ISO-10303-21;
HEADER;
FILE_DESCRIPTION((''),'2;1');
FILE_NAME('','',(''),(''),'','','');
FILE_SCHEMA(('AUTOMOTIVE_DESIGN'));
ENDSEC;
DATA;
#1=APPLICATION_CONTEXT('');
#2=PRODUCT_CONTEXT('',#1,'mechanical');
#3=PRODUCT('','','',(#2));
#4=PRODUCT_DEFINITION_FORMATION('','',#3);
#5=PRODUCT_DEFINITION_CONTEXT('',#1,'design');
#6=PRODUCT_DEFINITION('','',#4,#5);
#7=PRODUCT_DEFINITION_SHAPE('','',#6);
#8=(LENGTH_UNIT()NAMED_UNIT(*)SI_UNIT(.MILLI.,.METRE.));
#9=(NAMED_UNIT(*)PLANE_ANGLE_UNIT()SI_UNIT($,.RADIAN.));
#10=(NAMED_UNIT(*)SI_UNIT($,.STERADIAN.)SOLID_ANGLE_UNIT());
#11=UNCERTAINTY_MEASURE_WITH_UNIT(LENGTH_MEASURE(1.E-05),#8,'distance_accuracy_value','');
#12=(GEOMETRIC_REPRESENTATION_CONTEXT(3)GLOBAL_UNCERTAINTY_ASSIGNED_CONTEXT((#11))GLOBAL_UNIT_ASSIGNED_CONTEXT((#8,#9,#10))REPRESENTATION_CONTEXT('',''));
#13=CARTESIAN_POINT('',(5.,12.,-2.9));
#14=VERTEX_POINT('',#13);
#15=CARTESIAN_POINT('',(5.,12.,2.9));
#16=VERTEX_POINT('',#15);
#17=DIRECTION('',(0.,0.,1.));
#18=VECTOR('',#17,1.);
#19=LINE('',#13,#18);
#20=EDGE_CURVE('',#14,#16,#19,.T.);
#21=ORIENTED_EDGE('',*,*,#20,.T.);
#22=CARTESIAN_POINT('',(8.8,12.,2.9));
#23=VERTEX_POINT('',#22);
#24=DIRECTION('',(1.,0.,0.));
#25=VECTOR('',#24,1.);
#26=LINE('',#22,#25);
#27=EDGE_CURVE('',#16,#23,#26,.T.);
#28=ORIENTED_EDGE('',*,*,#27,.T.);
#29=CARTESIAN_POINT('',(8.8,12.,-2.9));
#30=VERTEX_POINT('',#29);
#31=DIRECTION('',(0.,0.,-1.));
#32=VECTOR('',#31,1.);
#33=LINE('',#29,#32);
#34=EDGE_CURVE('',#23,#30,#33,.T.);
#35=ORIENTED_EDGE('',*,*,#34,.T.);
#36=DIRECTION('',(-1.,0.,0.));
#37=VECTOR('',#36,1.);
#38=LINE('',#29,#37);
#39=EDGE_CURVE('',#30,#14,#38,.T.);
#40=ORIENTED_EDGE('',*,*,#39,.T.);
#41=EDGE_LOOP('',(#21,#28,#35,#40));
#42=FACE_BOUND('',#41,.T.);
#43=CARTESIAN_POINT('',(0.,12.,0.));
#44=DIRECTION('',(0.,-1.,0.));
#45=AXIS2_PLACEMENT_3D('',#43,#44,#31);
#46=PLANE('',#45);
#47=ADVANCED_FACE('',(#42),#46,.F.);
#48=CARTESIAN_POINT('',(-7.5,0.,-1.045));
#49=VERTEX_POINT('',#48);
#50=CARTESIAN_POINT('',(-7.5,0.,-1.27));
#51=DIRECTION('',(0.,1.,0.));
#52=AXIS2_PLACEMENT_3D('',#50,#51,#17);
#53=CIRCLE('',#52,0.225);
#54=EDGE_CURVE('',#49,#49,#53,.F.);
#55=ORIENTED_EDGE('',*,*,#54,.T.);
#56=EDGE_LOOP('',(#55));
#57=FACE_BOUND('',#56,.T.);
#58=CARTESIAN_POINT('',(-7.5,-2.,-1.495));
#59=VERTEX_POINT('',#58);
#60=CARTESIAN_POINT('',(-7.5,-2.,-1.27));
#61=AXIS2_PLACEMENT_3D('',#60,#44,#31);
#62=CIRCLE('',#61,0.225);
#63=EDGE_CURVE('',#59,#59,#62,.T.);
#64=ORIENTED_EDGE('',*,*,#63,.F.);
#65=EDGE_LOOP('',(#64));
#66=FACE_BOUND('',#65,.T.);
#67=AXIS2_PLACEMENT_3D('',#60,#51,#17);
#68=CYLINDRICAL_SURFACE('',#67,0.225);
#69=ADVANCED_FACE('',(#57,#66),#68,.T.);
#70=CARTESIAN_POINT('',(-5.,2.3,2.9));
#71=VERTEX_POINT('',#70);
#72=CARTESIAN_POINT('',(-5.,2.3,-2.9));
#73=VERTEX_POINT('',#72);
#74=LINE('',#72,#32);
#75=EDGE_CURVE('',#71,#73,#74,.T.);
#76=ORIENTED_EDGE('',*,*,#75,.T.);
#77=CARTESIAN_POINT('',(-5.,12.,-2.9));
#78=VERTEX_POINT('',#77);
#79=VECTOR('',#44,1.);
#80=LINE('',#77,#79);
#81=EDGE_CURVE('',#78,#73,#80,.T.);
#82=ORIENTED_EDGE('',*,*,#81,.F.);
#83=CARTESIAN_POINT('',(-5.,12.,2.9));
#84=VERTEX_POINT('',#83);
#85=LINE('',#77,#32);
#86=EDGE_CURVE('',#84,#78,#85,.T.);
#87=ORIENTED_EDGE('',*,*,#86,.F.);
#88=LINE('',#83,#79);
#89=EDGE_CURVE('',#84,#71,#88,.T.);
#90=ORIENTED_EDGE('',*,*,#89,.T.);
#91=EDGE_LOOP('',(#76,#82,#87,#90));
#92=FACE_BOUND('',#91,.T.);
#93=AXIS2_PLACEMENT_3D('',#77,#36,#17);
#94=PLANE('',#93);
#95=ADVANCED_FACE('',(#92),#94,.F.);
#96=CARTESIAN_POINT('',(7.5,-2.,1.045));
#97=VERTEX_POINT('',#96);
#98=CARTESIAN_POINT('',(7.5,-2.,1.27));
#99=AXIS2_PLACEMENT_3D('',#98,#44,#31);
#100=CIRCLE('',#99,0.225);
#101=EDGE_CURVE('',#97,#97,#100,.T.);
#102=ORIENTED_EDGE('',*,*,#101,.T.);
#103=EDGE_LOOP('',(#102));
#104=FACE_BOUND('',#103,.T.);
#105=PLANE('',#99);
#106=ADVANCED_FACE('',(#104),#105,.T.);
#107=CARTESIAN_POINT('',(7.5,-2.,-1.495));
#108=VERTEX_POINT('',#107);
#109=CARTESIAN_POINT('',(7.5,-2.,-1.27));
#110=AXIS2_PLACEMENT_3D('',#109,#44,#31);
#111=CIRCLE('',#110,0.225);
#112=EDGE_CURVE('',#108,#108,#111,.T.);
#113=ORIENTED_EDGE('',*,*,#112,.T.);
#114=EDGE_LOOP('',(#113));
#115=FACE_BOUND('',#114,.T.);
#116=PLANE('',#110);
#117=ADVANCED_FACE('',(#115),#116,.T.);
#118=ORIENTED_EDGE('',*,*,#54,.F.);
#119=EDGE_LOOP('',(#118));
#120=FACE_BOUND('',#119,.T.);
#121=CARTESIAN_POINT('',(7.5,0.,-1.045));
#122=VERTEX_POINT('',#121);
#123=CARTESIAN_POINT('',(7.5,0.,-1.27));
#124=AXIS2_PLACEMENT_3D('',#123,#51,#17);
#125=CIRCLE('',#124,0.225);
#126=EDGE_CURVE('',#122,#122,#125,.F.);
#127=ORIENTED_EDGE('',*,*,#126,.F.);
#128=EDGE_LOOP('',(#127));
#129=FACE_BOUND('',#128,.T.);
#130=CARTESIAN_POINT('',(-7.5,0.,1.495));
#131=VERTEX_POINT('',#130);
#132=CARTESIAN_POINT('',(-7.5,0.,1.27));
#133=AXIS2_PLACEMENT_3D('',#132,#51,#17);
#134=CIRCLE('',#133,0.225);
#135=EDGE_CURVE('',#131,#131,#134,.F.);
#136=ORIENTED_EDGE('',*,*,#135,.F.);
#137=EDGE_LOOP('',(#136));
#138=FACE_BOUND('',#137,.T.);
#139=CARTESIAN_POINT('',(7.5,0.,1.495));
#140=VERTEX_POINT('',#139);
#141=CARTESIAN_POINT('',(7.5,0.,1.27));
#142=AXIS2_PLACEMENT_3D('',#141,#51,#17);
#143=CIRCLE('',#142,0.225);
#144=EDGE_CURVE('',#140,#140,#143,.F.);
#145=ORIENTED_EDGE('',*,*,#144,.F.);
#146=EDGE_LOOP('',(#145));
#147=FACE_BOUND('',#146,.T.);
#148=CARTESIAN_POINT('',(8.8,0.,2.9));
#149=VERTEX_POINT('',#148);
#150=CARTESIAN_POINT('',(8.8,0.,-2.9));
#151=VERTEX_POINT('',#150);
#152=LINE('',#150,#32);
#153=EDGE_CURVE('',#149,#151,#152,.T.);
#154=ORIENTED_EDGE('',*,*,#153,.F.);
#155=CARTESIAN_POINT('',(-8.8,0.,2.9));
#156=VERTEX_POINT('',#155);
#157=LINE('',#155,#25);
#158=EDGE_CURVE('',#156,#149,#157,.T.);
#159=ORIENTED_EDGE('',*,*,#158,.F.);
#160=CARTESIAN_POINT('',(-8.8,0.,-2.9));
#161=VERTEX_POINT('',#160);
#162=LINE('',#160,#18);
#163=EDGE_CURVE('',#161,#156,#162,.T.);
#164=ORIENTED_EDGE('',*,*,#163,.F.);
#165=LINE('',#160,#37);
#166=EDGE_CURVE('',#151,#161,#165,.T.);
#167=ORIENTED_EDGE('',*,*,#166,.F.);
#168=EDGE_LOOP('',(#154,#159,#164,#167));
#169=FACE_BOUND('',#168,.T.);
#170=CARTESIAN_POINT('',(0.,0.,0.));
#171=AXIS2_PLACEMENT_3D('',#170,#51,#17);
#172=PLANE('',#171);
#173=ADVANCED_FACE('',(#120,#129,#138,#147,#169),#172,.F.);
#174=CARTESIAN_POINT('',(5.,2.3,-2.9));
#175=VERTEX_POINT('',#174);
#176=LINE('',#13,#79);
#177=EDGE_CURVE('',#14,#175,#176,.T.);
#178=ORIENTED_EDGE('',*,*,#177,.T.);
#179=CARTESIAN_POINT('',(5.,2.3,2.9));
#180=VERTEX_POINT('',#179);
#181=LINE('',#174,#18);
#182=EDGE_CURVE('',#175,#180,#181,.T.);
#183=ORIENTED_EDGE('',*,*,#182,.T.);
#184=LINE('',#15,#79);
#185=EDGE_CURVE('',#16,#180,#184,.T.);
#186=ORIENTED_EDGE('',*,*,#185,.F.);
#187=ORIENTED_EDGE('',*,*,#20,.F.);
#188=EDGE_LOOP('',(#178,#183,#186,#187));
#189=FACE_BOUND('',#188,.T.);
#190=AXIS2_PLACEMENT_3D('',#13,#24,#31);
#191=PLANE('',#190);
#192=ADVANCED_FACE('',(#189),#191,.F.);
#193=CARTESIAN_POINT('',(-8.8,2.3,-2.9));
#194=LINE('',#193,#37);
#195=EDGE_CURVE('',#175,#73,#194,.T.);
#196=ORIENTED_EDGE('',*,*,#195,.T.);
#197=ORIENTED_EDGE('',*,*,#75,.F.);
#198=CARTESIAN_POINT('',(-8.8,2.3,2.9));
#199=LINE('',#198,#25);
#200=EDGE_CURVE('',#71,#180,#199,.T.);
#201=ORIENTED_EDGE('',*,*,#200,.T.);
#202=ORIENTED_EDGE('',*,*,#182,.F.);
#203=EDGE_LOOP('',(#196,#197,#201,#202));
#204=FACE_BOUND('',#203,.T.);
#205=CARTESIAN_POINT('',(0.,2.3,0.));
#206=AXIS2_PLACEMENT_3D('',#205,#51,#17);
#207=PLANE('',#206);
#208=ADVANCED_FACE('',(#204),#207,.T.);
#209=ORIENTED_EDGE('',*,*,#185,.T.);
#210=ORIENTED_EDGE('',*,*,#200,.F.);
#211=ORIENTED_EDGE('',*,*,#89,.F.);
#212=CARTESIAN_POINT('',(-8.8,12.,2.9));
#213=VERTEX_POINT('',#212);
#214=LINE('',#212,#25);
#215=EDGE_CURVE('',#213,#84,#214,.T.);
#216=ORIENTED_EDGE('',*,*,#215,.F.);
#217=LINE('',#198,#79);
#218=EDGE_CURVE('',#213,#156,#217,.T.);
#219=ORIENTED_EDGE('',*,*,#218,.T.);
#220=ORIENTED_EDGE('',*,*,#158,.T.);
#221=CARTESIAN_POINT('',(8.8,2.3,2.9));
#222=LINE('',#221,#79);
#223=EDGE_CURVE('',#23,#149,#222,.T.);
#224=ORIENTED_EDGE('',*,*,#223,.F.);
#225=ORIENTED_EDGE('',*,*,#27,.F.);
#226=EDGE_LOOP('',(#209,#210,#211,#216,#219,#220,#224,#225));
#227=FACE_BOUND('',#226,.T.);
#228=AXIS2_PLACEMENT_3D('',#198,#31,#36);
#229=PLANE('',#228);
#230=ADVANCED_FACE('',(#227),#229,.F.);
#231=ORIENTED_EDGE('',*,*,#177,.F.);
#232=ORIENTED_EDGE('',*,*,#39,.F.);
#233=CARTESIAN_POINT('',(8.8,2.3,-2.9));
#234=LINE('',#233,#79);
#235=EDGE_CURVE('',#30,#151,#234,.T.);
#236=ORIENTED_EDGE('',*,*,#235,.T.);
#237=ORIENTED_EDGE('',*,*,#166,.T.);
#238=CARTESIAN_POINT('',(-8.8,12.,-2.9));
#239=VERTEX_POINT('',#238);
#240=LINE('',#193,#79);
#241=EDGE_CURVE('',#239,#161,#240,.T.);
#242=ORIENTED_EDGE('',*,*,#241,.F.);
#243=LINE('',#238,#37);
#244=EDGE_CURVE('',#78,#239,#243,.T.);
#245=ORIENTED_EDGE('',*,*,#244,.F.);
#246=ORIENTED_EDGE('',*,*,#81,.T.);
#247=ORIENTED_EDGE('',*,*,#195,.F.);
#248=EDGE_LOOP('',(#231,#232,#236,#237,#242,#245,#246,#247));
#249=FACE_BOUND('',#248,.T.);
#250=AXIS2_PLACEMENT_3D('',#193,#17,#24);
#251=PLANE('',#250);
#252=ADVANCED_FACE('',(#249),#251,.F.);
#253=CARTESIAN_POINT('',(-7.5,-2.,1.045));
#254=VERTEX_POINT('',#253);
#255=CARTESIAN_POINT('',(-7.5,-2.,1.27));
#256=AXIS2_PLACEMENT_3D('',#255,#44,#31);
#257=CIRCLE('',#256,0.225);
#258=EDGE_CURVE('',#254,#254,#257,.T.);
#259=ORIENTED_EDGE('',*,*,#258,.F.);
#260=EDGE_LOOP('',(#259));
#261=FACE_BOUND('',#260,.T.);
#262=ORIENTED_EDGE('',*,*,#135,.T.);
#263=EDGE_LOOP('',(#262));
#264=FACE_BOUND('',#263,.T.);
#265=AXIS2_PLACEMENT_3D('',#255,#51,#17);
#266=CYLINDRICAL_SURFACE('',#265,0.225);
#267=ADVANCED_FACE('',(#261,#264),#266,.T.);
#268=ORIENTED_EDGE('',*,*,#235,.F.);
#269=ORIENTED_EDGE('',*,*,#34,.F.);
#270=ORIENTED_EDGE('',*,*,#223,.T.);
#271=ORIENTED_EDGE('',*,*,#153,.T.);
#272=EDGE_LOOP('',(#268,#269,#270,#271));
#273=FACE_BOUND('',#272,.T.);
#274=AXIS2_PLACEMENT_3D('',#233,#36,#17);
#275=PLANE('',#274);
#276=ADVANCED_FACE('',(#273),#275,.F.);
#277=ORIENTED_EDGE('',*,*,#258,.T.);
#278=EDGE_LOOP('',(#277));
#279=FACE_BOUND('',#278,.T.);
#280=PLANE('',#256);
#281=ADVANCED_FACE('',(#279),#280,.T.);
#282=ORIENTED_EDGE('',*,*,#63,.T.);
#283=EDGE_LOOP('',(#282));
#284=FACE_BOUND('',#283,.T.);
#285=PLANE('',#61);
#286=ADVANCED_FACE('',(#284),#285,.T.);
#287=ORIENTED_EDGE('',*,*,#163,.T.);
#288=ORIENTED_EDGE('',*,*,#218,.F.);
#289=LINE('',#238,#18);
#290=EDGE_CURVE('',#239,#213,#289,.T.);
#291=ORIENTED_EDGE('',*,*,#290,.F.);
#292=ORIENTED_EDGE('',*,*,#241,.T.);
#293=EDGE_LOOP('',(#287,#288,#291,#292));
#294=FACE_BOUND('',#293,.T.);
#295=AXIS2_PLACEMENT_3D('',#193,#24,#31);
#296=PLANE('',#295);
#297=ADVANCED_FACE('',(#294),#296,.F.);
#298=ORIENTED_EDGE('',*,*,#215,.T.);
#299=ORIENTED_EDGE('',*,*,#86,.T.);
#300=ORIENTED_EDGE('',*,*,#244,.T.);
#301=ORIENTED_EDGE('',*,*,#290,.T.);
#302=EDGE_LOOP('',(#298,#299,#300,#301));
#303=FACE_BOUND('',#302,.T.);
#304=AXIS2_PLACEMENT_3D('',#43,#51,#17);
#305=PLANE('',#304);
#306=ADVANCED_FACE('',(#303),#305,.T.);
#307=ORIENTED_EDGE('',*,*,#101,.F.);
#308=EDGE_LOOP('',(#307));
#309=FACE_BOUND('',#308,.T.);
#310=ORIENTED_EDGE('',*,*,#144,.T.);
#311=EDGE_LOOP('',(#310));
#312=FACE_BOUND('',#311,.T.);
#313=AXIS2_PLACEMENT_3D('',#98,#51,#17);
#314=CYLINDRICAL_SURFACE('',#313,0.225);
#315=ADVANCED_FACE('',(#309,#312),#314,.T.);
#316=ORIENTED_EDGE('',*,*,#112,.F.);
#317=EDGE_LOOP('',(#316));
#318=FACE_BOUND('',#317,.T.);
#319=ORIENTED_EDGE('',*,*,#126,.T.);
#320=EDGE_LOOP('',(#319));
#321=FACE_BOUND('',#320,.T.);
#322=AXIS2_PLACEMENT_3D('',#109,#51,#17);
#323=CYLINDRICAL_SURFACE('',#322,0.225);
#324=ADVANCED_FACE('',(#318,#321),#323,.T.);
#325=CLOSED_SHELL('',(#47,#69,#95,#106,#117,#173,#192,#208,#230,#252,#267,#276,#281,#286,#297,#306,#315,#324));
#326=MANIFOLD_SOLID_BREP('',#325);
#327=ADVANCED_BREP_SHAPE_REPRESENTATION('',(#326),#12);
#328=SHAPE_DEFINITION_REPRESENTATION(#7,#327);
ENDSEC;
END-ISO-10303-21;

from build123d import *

# Parameters (mm, degrees)
SKETCH_1_W      = 17.6
SKETCH_1_H      = 5.8
EXTRUDE_1_DEPTH = 2.3
SKETCH_2_W      = 3.8
SKETCH_2_H      = 5.8
EXTRUDE_2_DEPTH = 9.7
SKETCH_5_R      = 0.225
EXTRUDE_3_DEPTH = 2


with BuildPart() as part:
    # 草图1 → 凸台-拉伸1 (new body)
    with BuildSketch(Plane(origin=(0, 0, 0), x_dir=(1, 0, 0), z_dir=(0, 1, 0))):
        Rectangle(SKETCH_1_W, SKETCH_1_H)
    extrude(amount=EXTRUDE_1_DEPTH)

    # 草图2 → 凸台-拉伸2 (add)
    with BuildSketch(Plane(origin=(0, 2.3, 0), x_dir=(1, 0, 0), z_dir=(0, 1, 0))):
        with Locations((-6.9, 0)):
            Rectangle(SKETCH_2_W, SKETCH_2_H)
        with Locations((6.9, 0)):
            Rectangle(SKETCH_2_W, SKETCH_2_H)
    extrude(amount=EXTRUDE_2_DEPTH)

    # 草图5 → 凸台-拉伸3 (add)
    with BuildSketch(Plane.XZ):
        with Locations(Location((-7.5, 1.27, 0), (0, 0, 90))):
            Circle(SKETCH_5_R)
        with Locations(Location((-7.5, -1.27, 0), (0, 0, 90))):
            Circle(SKETCH_5_R)
        with Locations(Location((7.5, 1.27, 0), (0, 0, 90))):
            Circle(SKETCH_5_R)
        with Locations(Location((7.5, -1.27, 0), (0, 0, 90))):
            Circle(SKETCH_5_R)
    extrude(amount=EXTRUDE_3_DEPTH)


solid = part.part
